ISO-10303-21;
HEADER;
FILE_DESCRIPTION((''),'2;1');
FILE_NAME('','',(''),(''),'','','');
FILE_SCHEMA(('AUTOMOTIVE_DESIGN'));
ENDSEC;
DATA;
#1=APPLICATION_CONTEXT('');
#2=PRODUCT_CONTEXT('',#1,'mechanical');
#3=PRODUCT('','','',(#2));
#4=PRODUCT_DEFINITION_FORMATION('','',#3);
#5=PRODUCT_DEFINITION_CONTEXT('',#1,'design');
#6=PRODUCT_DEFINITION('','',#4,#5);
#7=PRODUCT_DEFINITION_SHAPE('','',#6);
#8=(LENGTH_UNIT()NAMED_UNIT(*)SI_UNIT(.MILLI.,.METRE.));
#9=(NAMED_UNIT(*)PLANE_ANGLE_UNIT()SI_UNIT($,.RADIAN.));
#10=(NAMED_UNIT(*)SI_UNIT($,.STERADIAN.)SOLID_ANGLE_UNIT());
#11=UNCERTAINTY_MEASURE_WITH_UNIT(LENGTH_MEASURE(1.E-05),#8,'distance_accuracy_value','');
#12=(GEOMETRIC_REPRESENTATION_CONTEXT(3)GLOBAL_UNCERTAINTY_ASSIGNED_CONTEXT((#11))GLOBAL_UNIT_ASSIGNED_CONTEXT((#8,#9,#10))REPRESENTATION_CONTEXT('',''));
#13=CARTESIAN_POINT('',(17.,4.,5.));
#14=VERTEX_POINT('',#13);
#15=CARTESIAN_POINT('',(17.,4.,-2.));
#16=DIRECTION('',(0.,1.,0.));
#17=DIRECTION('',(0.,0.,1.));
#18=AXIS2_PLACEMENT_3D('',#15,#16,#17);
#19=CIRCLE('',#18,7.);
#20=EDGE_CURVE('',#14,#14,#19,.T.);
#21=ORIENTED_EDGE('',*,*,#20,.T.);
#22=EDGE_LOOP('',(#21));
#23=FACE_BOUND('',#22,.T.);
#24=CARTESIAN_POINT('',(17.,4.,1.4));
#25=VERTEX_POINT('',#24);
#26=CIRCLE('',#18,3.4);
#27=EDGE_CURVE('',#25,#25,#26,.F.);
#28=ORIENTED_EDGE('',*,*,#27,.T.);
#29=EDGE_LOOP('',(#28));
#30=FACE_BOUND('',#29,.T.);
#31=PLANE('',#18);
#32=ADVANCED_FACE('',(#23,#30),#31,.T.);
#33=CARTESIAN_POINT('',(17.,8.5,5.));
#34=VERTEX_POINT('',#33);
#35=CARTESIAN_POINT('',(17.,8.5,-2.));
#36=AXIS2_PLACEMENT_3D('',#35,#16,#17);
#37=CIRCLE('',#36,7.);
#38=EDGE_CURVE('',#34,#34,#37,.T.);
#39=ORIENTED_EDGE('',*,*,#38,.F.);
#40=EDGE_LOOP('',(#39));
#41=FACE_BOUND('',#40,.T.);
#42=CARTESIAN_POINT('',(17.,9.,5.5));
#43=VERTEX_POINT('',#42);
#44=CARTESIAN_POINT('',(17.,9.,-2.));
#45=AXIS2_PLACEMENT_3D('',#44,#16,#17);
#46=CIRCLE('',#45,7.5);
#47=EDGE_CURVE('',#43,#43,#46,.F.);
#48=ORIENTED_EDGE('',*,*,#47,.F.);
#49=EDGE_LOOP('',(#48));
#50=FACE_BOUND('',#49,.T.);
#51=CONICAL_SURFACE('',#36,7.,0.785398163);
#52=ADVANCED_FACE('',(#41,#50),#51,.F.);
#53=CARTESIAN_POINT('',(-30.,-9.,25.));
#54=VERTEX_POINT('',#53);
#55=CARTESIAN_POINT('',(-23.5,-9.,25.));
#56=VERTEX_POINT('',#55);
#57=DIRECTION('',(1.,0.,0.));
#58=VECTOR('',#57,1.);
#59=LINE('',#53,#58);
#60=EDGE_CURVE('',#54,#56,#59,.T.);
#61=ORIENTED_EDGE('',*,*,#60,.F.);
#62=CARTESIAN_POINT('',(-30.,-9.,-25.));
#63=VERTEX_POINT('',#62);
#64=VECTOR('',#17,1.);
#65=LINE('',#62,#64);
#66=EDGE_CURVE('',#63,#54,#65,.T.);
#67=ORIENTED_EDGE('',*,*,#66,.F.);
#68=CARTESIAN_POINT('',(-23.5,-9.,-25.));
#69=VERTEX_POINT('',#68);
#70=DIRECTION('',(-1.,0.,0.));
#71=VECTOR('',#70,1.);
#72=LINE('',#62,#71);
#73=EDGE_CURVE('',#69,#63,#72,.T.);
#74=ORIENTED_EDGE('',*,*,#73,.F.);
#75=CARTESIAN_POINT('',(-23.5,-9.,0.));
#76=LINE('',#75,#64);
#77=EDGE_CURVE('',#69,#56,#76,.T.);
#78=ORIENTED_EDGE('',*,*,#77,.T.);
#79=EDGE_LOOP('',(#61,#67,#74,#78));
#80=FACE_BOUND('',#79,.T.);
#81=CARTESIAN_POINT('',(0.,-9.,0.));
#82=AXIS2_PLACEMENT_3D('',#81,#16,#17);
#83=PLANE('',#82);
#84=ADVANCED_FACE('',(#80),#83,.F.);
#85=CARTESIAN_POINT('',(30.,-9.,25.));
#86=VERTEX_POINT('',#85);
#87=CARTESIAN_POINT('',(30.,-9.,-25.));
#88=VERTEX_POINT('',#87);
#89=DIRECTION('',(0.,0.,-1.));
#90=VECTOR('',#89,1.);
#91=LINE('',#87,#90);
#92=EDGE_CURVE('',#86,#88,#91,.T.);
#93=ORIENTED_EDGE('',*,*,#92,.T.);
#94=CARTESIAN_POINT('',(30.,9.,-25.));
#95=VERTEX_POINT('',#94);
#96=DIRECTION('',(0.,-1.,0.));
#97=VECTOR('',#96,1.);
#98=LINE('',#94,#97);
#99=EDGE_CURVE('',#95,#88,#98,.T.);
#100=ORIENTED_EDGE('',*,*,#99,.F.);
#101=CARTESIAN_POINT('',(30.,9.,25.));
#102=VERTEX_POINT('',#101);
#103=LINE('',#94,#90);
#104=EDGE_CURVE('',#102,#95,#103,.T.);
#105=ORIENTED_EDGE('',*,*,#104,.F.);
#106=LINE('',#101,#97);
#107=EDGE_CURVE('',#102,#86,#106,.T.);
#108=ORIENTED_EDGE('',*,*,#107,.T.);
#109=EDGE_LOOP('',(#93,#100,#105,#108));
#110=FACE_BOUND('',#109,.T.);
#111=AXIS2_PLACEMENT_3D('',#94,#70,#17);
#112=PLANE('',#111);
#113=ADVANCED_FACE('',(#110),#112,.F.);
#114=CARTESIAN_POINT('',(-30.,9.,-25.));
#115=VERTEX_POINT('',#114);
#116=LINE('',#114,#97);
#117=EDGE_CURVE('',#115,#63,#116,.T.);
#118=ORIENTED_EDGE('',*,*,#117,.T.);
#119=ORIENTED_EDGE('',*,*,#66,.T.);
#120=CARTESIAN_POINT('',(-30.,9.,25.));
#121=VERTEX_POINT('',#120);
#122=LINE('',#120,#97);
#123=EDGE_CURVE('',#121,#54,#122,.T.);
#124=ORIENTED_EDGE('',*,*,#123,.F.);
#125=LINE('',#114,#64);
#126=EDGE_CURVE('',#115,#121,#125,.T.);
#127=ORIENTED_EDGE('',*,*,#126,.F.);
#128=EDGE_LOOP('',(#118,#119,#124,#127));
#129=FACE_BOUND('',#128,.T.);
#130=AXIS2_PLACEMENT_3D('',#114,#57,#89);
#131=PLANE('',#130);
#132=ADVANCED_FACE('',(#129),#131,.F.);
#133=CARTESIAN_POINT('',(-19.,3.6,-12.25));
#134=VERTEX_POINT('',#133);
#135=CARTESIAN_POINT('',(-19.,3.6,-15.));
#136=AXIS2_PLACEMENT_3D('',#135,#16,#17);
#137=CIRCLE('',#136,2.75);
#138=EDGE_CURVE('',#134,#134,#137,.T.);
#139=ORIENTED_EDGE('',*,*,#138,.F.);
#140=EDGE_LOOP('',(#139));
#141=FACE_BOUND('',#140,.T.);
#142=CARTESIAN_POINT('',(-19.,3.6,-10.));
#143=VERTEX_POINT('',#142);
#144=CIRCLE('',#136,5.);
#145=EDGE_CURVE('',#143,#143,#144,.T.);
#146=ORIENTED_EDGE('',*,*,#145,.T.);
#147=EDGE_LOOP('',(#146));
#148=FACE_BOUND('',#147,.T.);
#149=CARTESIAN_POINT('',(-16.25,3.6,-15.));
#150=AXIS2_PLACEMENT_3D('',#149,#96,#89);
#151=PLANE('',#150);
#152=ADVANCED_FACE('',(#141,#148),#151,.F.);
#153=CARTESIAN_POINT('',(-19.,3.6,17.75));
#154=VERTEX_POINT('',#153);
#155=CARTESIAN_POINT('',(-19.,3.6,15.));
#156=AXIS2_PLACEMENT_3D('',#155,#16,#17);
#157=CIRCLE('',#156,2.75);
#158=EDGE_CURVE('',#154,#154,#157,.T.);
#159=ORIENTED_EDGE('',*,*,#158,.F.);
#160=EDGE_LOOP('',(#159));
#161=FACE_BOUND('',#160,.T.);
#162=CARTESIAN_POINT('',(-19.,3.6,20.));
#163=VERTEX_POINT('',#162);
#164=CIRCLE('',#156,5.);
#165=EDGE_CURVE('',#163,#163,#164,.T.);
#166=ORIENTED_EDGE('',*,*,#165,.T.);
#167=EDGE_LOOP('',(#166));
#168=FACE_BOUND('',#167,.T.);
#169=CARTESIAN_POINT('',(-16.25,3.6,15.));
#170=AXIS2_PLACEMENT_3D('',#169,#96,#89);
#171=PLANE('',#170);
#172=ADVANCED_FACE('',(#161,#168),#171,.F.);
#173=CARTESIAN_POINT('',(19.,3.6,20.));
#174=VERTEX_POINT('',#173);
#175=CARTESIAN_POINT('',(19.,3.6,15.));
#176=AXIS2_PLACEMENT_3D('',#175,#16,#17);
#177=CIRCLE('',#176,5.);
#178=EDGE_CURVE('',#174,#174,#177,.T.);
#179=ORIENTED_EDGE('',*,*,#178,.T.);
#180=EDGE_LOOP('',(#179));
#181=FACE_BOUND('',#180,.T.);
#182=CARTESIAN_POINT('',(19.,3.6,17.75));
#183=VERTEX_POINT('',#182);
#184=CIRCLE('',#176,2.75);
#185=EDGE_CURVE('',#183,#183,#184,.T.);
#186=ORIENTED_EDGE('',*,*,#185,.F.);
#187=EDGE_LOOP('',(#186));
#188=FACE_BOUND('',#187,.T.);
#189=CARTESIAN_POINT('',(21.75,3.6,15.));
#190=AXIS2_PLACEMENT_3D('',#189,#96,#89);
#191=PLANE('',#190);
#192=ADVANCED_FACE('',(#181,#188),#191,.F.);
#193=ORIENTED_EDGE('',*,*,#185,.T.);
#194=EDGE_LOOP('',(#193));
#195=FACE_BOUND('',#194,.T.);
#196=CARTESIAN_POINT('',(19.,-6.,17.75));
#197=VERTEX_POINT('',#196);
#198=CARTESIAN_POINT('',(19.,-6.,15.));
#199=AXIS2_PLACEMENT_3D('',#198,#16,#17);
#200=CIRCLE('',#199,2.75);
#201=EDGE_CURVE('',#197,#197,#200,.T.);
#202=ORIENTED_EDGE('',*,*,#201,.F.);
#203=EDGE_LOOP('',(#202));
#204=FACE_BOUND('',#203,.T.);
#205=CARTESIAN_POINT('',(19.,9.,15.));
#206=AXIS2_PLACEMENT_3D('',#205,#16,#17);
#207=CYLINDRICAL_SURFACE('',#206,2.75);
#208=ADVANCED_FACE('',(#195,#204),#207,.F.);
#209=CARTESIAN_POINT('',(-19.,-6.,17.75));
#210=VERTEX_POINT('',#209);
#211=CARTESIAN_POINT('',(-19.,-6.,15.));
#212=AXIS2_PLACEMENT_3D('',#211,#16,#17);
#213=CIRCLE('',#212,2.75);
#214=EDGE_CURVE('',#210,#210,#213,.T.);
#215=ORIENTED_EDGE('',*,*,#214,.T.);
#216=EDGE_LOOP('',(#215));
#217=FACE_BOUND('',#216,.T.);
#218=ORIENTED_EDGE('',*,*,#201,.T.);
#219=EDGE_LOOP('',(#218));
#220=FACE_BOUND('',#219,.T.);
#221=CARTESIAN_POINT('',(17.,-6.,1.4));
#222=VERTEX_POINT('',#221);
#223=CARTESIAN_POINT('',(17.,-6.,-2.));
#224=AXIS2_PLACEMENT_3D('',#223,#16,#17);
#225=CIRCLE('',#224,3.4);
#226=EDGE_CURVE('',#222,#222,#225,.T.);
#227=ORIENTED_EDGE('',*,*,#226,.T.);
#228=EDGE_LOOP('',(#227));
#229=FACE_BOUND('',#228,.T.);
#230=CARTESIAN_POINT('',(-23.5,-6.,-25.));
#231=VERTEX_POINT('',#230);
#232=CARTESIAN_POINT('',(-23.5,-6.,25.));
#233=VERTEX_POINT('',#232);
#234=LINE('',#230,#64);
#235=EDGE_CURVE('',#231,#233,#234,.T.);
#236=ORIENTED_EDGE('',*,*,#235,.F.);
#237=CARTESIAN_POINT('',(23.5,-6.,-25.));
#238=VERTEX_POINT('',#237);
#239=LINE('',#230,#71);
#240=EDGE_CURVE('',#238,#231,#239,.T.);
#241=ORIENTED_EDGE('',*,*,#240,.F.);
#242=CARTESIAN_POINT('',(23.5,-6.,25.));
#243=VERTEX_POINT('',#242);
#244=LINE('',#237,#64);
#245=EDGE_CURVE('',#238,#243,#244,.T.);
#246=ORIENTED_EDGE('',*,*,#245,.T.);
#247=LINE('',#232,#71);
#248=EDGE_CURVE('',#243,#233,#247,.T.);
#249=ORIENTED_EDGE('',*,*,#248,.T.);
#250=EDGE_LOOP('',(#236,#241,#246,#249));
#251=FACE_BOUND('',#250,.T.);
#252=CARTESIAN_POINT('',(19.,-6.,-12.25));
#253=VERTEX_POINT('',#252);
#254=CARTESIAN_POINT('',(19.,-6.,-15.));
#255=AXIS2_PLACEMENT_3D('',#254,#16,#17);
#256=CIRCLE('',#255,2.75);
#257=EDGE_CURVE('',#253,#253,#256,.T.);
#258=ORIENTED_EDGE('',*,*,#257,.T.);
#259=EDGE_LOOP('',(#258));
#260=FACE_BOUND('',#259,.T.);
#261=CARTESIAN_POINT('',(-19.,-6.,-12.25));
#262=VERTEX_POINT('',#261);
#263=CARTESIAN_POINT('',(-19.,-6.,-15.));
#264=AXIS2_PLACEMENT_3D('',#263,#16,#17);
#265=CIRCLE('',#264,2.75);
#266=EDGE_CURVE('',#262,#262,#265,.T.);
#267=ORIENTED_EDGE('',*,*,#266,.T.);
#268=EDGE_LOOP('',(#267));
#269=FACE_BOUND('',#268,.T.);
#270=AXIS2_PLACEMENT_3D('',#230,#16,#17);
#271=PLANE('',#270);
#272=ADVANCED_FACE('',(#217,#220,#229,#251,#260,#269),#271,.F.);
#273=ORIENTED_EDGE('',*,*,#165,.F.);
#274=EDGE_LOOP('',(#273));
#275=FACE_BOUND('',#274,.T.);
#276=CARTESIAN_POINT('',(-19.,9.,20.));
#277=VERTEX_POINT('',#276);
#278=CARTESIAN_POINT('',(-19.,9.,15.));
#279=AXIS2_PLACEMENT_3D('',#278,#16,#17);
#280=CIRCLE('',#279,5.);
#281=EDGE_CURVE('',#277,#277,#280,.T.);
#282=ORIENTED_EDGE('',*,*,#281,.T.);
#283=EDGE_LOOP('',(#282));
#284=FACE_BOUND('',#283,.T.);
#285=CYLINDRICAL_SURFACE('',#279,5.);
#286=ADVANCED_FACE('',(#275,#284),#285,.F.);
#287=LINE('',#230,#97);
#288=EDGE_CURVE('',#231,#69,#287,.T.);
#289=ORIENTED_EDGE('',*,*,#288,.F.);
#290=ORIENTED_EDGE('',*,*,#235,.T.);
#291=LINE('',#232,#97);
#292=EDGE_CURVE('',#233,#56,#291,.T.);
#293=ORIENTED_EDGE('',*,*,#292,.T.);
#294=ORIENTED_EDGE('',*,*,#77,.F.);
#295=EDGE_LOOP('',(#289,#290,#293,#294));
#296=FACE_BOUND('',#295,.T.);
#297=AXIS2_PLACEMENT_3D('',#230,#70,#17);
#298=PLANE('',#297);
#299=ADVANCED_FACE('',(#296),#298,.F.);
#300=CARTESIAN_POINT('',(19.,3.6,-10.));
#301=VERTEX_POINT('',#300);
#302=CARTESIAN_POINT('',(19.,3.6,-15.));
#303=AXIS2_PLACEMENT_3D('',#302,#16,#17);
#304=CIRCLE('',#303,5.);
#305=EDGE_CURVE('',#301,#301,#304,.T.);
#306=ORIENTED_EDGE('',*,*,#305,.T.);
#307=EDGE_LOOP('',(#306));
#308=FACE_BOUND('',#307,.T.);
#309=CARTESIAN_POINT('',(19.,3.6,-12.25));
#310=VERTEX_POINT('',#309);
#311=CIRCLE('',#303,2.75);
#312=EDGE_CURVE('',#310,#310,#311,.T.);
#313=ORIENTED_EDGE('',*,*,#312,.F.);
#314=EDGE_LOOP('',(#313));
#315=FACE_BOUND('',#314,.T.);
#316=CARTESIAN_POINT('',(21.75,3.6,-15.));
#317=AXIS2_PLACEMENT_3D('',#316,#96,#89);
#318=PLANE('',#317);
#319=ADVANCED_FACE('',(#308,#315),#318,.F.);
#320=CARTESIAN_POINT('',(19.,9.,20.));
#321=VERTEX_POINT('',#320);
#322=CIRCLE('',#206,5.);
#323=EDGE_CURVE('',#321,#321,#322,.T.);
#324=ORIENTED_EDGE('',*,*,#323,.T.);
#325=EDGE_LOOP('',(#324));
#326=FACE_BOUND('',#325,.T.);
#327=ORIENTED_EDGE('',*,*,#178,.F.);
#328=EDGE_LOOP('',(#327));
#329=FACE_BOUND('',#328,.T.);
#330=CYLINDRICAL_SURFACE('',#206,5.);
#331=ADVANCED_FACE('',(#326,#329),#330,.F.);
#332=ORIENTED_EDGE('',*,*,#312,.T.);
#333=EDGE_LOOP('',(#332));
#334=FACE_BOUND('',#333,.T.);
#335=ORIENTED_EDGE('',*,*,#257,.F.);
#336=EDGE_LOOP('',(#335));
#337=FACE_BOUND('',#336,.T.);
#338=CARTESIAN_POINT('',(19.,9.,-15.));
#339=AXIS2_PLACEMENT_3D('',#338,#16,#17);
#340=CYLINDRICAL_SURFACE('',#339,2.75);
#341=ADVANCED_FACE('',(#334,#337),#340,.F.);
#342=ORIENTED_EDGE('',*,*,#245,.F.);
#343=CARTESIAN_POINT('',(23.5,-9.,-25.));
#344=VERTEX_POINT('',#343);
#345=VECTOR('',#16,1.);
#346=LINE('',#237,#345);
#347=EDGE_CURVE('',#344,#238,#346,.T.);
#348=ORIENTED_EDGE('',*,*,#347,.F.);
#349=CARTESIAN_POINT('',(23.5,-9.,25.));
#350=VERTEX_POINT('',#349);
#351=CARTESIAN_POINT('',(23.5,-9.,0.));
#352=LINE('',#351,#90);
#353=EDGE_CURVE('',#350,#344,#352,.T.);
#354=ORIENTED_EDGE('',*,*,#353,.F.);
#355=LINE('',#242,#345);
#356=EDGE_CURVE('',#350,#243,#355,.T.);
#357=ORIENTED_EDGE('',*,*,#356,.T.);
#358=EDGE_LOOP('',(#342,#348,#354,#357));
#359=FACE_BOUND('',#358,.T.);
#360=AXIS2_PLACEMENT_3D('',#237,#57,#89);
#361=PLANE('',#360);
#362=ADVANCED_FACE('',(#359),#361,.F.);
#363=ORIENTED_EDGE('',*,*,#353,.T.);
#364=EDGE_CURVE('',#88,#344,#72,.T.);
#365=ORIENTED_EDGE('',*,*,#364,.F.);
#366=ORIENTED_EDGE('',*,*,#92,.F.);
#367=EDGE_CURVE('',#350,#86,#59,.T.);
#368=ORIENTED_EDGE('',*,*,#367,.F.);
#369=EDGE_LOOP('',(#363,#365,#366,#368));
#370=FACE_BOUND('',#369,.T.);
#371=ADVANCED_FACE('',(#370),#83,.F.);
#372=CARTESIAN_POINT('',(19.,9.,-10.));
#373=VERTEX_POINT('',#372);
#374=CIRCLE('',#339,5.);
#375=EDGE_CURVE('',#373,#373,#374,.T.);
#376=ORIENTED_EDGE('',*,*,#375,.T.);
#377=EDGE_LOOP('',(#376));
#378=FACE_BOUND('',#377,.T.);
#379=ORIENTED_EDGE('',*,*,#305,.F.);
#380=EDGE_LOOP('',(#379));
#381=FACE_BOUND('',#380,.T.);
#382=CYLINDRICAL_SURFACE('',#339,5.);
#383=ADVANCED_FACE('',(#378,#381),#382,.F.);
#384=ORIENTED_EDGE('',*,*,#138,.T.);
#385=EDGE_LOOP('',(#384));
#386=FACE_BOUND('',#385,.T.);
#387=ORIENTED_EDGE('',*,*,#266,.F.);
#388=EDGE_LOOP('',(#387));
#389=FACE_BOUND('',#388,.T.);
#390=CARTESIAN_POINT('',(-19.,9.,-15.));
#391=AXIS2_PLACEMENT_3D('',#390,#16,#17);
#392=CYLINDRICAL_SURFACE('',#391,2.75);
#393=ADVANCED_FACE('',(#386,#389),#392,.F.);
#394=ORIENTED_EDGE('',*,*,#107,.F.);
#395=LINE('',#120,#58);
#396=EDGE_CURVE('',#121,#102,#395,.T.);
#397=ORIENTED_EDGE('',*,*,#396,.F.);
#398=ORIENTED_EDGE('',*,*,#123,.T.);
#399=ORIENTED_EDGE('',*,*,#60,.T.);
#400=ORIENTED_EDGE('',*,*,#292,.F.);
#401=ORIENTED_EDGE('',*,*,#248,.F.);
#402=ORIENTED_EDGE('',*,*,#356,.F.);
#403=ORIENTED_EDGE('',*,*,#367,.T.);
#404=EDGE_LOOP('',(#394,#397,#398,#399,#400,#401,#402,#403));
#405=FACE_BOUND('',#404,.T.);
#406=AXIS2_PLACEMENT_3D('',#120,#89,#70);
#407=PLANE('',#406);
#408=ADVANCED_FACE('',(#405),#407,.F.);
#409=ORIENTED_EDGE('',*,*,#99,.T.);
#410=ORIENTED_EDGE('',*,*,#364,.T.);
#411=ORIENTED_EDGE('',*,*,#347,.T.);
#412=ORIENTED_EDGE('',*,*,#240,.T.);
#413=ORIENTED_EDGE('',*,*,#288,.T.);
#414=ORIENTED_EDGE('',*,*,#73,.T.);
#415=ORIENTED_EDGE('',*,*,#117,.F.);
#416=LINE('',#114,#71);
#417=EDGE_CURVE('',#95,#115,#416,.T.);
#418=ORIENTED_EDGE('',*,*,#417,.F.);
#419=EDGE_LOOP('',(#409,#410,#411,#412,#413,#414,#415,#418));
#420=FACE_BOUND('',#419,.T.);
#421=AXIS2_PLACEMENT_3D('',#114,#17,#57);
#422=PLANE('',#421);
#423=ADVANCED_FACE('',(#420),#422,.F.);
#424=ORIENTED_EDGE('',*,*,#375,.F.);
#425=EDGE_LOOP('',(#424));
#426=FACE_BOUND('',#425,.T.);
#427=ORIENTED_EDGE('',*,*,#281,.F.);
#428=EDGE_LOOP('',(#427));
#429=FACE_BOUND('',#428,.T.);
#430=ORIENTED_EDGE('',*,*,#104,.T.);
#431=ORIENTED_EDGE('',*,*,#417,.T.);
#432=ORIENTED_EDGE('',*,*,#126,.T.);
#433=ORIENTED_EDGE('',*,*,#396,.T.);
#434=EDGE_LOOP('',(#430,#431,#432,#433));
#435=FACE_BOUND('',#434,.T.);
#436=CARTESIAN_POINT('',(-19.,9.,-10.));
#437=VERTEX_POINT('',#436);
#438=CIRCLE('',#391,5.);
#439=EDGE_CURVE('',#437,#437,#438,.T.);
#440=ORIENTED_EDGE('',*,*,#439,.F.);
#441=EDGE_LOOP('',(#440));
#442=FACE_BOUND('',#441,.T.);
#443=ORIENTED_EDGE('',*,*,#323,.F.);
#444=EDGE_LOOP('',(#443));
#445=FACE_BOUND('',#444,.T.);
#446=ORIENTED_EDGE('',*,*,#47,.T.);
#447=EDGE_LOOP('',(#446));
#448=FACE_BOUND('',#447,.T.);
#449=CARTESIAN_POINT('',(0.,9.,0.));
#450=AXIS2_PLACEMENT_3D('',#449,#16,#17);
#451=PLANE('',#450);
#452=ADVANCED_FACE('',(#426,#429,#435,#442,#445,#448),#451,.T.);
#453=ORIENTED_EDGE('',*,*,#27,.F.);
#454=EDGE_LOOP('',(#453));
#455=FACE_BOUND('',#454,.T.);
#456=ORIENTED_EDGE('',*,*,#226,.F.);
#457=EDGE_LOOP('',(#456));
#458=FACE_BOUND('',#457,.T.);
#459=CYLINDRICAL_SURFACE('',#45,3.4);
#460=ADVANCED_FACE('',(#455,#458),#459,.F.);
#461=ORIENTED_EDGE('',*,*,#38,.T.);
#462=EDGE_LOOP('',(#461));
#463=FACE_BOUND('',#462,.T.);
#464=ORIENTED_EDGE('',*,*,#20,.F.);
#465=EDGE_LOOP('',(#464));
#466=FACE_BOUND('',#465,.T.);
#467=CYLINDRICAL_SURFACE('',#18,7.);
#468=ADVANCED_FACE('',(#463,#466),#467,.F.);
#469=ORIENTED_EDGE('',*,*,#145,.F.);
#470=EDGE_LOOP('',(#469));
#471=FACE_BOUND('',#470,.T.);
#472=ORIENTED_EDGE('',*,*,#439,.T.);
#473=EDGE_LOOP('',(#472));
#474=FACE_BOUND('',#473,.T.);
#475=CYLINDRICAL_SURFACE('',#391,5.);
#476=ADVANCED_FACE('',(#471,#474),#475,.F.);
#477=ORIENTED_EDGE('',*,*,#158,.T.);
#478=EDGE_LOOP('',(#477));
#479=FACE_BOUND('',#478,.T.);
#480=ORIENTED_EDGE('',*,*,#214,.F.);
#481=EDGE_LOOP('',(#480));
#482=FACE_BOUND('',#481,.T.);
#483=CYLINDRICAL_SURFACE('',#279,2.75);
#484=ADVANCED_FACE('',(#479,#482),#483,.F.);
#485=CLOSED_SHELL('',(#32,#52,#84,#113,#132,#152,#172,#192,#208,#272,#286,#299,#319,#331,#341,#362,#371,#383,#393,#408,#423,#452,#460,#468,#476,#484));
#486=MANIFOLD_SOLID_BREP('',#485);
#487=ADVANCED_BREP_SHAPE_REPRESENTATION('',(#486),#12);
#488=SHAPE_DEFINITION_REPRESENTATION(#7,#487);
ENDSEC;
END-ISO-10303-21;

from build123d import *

# Parameters (mm, degrees)
SKETCH1_W                                           = 60
SKETCH1_H                                           = 50
BOSS_EXTRUDE1_DEPTH                                 = 9
SKETCH2_W                                           = 47
SKETCH2_H                                           = 6
CUT_EXTRUDE1_DEPTH                                  = 60
CBORE_FOR_M5_HEX_SOCKET_HEAD_CAP_SCREW1_D           = 5.5
CBORE_FOR_M5_HEX_SOCKET_HEAD_CAP_SCREW1_CBORE_D     = 10
CBORE_FOR_M5_HEX_SOCKET_HEAD_CAP_SCREW1_CBORE_DEPTH = 5.4
M8_TAPPED_HOLE1_D                                   = 6.8
SKETCH9_R                                           = 7
CUT_EXTRUDE2_DEPTH                                  = 5
CHAMFER1_SIZE                                       = 0.5


with BuildPart() as part:
    # Sketch1 → Boss-Extrude1 (new, symmetric)
    with BuildSketch(Plane(origin=(0, 0, 0), x_dir=(1, 0, 0), z_dir=(0, 1, 0))):
        Rectangle(SKETCH1_W, SKETCH1_H)
    extrude(amount=BOSS_EXTRUDE1_DEPTH, both=True)

    # Sketch2 → Cut-Extrude1 (cut, through all)
    with BuildSketch(Plane.XY.offset(25)):
        with Locations((0, -9)):
            Rectangle(SKETCH2_W, SKETCH2_H)
    extrude(amount=-CUT_EXTRUDE1_DEPTH, mode=Mode.SUBTRACT)

    # CBORE for M5 Hex Socket Head Cap Screw1 (through all)
    with Locations(Plane(origin=(0, 9, 0), x_dir=(1, 0, 0), z_dir=(0, 1, 0))):
        with Locations((-19, 15), (19, 15), (19, -15), (-19, -15)):
            CounterBoreHole(CBORE_FOR_M5_HEX_SOCKET_HEAD_CAP_SCREW1_D / 2, CBORE_FOR_M5_HEX_SOCKET_HEAD_CAP_SCREW1_CBORE_D / 2, CBORE_FOR_M5_HEX_SOCKET_HEAD_CAP_SCREW1_CBORE_DEPTH)

    # M8 Tapped Hole1 (through all)
    with Locations(Plane(origin=(0, 9, 0), x_dir=(1, 0, 0), z_dir=(0, 1, 0))):
        with Locations((17, 2)):
            Hole(M8_TAPPED_HOLE1_D / 2)

    # Sketch9 → Cut-Extrude2 (cut)
    with BuildSketch(Plane(origin=(0, 9, 0), x_dir=(1, 0, 0), z_dir=(0, 1, 0))):
        with Locations(Location((17, 2, 0), (0, 0, 270))):
            Circle(SKETCH9_R)
    extrude(amount=-CUT_EXTRUDE2_DEPTH, mode=Mode.SUBTRACT)

    # Chamfer1
    chamfer1_edges = [part.edges().sort_by_distance(p)[0] for p in [
        (17, 9, -9),
    ]]
    chamfer(chamfer1_edges, length=CHAMFER1_SIZE)


solid = part.part
